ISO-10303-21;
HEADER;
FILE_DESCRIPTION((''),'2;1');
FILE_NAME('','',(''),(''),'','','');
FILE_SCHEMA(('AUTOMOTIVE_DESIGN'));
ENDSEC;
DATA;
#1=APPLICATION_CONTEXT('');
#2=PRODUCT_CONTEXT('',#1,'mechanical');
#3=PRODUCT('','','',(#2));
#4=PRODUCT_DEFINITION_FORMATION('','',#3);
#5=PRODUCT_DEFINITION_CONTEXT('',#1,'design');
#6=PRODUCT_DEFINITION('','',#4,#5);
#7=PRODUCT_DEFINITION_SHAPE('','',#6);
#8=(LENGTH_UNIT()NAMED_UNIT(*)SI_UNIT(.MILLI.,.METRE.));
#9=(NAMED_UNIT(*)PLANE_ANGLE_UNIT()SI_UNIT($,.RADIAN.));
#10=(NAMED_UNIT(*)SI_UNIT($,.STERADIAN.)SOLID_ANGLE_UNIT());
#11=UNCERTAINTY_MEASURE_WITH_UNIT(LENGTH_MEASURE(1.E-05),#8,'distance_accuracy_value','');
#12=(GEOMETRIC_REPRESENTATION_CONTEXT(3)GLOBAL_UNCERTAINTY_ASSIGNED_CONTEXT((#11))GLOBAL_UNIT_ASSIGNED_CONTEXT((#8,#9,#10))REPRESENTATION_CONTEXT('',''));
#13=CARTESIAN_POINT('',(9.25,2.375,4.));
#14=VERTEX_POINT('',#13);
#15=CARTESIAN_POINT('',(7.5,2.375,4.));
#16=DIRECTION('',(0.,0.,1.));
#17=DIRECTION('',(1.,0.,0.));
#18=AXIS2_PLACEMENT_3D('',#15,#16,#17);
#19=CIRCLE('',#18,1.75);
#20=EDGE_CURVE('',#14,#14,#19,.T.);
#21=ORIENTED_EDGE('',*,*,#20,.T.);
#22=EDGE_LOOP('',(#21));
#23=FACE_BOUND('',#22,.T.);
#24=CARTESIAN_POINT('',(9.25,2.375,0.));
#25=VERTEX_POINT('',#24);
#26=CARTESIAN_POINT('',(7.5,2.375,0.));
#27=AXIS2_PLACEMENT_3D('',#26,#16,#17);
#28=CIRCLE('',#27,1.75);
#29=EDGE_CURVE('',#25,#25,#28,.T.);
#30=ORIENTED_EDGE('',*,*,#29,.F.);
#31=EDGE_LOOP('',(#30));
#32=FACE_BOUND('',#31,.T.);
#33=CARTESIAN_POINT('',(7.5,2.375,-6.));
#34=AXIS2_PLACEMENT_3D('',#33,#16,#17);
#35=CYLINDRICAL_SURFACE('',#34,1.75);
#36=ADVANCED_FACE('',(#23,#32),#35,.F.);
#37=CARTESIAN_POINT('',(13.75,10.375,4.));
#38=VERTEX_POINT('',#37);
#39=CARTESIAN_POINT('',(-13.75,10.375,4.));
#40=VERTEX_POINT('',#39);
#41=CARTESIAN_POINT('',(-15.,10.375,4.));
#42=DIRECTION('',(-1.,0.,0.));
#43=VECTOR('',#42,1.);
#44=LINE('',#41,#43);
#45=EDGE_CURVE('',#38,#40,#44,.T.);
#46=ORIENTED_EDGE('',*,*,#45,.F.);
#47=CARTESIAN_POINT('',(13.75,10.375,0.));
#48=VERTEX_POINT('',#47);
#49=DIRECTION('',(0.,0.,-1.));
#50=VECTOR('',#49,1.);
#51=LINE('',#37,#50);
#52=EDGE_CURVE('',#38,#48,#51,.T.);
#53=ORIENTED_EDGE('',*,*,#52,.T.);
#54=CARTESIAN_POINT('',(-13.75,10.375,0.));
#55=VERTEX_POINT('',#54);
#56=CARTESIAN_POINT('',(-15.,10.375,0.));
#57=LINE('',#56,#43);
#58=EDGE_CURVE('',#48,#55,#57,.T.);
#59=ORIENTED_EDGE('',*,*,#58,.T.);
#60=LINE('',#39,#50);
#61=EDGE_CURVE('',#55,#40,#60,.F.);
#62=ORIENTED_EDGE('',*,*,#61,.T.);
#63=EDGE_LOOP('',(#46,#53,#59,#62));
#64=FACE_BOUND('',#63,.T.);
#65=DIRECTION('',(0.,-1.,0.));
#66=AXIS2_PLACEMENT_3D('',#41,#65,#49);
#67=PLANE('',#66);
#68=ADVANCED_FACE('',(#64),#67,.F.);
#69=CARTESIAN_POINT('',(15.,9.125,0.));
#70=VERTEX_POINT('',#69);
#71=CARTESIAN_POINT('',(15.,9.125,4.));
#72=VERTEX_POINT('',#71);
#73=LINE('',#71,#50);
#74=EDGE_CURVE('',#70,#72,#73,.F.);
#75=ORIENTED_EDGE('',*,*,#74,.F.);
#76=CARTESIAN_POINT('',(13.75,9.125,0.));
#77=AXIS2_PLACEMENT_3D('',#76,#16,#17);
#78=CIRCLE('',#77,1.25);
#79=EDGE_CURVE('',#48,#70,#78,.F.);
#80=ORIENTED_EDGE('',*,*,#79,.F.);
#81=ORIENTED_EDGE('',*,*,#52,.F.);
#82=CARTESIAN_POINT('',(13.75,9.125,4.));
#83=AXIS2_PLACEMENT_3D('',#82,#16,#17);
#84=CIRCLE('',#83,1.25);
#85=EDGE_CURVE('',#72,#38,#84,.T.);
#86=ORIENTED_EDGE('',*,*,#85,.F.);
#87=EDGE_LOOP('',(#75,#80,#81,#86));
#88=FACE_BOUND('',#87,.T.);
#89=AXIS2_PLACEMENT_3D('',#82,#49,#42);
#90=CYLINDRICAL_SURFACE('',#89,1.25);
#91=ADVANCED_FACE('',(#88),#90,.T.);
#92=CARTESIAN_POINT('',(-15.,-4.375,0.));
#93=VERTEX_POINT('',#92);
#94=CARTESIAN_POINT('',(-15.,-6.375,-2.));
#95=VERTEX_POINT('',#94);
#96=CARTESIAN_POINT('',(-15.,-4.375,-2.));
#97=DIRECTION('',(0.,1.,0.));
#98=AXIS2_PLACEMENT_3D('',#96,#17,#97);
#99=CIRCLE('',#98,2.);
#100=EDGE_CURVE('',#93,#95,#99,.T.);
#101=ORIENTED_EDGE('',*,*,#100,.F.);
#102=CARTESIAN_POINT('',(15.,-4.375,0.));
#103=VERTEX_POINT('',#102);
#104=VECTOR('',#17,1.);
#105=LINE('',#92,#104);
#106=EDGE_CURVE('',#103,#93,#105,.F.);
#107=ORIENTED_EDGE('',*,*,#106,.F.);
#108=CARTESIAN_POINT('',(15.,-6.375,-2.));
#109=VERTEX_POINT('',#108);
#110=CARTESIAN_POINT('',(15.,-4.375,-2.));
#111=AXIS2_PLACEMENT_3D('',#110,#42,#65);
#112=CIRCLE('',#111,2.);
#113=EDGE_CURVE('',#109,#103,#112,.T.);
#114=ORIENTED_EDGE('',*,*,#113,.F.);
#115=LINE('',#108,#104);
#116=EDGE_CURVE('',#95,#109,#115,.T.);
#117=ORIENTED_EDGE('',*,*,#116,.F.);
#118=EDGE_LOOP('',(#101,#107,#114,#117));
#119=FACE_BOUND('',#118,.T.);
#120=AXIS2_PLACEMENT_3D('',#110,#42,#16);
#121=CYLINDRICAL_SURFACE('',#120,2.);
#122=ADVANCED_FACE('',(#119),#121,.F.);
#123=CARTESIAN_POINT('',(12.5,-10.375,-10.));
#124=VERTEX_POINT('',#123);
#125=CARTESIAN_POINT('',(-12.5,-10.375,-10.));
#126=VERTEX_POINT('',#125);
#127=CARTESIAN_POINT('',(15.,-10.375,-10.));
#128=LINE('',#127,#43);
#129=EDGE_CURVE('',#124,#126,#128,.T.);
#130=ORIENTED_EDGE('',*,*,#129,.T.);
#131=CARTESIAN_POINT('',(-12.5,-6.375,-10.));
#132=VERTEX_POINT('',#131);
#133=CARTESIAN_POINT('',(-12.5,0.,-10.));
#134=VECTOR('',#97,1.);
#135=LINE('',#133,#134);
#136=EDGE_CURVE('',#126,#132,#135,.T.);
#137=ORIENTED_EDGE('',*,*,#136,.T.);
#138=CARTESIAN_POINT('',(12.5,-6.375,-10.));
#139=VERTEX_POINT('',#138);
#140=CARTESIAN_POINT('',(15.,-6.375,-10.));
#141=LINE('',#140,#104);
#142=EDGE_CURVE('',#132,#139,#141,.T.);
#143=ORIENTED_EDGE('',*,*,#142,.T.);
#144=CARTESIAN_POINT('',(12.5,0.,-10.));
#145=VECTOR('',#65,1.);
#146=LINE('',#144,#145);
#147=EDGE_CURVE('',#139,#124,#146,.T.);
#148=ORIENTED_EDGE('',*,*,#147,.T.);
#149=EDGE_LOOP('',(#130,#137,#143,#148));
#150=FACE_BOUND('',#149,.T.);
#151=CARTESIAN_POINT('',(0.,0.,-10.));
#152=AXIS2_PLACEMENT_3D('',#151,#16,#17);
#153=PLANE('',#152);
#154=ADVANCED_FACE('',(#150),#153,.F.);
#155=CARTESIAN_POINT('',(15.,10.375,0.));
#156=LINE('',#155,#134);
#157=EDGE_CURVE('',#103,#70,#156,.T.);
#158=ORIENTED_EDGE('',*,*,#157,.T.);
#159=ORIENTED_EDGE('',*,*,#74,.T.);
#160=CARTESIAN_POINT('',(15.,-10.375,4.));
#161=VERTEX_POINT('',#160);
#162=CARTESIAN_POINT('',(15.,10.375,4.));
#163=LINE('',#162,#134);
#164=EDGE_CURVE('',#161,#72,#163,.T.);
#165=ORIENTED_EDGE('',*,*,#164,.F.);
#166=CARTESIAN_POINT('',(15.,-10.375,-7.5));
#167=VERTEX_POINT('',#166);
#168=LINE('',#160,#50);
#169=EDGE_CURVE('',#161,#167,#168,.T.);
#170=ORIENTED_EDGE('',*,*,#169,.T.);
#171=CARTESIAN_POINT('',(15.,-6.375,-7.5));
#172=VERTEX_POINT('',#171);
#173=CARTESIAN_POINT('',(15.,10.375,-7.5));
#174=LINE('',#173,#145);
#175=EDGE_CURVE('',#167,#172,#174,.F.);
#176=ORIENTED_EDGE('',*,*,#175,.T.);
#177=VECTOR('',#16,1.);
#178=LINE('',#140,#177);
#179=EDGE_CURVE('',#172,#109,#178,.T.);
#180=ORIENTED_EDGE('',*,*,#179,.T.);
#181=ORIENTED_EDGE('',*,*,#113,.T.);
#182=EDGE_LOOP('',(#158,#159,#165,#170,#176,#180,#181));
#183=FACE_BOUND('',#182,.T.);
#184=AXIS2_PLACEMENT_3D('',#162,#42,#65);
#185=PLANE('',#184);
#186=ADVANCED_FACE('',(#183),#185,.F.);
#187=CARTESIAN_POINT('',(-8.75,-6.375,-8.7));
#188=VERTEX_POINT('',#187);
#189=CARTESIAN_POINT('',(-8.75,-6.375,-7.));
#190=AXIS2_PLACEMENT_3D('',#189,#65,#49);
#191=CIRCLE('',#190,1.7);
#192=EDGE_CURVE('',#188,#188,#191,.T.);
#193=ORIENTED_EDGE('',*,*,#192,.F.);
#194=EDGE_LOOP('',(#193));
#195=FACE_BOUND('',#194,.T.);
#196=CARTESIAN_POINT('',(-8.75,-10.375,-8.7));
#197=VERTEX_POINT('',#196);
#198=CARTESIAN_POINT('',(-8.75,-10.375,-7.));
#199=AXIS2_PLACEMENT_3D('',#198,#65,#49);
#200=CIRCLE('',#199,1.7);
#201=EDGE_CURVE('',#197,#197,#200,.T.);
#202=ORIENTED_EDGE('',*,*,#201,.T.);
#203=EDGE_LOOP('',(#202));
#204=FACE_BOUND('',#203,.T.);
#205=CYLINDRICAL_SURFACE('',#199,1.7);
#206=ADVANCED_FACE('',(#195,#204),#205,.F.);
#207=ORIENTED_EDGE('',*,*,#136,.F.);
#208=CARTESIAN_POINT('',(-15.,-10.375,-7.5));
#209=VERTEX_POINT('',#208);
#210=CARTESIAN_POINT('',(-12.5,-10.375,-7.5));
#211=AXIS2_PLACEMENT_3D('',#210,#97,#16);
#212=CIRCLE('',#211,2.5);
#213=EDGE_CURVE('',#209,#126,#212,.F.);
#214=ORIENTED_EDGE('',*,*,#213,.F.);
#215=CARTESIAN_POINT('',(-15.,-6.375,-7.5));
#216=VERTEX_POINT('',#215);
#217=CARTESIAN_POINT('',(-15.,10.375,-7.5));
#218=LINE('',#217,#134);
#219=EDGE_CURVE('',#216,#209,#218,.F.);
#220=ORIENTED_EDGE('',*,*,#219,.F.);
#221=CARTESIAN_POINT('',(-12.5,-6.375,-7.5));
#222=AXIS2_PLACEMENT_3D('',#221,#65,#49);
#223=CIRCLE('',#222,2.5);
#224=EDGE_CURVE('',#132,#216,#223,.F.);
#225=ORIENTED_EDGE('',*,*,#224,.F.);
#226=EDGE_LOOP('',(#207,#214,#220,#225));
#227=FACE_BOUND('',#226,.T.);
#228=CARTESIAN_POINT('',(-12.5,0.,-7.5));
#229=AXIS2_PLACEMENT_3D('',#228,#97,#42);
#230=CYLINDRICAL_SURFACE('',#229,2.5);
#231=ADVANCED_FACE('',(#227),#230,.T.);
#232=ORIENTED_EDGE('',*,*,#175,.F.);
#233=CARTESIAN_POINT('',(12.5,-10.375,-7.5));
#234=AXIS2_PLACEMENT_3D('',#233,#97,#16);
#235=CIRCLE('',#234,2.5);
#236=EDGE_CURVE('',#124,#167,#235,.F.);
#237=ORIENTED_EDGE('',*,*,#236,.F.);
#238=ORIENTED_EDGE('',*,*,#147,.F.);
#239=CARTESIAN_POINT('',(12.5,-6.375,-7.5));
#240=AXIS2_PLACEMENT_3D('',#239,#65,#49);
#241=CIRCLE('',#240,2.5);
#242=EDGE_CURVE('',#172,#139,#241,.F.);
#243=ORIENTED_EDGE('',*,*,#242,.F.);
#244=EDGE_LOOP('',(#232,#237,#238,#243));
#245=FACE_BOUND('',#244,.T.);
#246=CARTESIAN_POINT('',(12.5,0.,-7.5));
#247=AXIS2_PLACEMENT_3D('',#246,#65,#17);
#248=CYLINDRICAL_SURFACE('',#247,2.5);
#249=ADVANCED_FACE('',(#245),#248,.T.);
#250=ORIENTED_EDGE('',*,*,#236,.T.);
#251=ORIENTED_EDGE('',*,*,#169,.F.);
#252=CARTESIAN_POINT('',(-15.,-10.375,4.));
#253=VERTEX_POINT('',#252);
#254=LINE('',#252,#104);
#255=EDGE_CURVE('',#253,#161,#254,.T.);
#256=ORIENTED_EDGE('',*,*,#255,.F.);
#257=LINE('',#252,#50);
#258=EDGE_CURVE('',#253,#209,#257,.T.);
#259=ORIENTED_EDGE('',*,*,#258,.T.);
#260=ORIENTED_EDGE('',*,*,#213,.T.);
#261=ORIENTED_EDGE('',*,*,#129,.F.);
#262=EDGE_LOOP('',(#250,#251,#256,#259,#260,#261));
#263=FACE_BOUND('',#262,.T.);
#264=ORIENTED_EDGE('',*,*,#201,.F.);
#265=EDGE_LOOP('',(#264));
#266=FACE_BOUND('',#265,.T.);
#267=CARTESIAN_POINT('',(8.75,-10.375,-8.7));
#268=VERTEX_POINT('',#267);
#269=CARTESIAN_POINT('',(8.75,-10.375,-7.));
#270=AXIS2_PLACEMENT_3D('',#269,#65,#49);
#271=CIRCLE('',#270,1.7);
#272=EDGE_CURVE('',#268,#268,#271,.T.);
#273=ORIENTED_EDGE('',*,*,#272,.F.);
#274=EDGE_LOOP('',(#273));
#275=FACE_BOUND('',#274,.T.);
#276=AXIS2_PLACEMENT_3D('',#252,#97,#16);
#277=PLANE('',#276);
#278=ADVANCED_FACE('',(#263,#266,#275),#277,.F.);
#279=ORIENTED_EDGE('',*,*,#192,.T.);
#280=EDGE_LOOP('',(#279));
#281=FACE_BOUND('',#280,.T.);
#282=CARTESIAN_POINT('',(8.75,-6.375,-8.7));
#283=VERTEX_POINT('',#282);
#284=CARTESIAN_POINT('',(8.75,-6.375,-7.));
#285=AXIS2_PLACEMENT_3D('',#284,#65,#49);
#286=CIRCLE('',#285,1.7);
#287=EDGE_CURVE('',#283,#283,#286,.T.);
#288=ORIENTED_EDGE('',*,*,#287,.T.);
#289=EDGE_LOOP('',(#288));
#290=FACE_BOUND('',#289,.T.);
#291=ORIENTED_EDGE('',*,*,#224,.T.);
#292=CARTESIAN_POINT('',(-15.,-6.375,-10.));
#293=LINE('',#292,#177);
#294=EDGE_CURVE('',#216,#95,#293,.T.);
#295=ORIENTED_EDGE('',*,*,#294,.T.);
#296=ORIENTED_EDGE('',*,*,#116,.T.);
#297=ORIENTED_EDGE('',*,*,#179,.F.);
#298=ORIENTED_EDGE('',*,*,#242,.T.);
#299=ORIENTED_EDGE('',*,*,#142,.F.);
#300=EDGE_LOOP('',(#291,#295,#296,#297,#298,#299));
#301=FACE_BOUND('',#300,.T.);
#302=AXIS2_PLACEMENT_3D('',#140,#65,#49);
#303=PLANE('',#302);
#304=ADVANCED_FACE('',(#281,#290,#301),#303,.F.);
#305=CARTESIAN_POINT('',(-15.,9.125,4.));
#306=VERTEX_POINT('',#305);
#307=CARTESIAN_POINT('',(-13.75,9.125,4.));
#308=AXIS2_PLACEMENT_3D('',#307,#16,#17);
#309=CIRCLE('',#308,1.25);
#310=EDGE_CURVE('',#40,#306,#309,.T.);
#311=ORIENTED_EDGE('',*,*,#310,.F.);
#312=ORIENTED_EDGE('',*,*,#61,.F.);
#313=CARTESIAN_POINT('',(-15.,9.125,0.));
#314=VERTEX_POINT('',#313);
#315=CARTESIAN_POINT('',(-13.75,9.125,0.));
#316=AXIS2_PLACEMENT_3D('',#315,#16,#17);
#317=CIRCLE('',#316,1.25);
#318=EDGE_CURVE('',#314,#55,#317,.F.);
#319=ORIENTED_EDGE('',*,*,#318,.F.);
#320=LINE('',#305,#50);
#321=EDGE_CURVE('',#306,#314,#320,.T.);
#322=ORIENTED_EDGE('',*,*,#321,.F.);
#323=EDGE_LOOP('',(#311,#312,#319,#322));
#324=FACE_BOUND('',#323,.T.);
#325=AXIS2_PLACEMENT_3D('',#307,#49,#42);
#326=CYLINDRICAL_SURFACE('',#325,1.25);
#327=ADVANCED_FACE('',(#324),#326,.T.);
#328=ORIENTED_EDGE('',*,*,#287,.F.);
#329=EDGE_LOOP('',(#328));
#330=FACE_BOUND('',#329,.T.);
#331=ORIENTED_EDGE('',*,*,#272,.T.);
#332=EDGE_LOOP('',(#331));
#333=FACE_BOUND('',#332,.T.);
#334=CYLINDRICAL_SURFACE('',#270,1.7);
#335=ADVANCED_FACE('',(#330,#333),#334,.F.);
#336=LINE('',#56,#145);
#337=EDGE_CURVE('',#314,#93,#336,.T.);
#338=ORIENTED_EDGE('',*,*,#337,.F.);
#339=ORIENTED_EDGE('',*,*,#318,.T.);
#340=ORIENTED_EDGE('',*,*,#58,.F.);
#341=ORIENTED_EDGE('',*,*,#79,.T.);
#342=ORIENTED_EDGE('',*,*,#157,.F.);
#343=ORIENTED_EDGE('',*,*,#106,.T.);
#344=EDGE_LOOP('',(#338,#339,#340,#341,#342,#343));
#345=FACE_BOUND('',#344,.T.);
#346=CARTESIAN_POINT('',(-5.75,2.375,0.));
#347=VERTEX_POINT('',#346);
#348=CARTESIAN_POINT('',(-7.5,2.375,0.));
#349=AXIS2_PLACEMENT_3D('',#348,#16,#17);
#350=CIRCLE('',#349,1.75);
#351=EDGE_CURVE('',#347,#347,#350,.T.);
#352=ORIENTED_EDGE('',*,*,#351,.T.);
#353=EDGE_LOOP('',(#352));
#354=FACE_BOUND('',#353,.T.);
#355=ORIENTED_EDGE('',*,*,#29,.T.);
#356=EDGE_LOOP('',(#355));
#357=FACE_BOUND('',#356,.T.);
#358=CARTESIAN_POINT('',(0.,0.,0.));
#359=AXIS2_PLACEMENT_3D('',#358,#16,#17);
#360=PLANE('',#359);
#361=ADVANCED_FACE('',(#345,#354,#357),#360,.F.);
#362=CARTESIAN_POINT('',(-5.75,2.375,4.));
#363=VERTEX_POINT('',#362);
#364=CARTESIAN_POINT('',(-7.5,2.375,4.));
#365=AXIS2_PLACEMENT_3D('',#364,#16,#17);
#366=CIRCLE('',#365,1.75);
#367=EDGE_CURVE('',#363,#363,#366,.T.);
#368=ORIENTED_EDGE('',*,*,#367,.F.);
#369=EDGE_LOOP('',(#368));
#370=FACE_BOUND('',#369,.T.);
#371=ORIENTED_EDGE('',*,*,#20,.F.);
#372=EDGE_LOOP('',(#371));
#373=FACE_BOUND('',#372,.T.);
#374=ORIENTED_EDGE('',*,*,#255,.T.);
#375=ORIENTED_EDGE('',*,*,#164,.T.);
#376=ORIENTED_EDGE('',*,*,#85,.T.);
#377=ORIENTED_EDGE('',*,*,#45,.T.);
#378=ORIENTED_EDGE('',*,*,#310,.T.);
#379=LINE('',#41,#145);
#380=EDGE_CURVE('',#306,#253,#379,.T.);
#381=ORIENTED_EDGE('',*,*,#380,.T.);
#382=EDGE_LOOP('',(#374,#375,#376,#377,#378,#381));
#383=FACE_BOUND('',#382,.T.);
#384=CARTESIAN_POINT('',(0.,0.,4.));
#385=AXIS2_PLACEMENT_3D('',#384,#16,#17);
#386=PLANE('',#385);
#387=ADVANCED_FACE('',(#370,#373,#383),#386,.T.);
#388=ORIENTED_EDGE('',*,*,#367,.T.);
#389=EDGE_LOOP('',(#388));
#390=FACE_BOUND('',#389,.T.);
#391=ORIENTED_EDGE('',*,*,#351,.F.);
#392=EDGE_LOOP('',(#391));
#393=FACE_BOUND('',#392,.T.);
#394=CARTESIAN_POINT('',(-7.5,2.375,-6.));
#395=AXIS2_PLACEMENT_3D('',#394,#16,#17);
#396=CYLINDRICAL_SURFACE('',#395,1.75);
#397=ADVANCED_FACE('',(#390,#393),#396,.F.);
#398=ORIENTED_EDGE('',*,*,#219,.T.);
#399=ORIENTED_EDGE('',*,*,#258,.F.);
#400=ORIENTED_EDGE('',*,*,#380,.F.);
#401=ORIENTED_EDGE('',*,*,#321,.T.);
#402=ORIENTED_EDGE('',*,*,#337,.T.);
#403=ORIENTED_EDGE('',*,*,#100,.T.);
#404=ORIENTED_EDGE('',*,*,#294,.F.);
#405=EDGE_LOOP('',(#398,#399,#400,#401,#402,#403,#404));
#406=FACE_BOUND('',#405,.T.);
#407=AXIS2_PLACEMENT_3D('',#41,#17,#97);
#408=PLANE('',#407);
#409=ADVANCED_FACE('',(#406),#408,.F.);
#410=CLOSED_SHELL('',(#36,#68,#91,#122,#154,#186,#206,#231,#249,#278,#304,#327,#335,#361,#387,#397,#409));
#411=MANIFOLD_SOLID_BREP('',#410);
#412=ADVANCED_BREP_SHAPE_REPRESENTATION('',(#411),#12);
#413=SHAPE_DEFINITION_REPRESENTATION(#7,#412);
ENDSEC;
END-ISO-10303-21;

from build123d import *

# Parameters (mm, degrees)
SKETCH1_W                = 30
SKETCH1_H                = 20.75
BOSS_EXTRUDE1_DEPTH      = 4
FILLET1_R                = 1.25
SKETCH3_R                = 1.75
CUT_EXTRUDE1_DEPTH       = 10
SKETCH4_W                = 30
SKETCH4_H                = 4
BOSS_EXTRUDE2_DEPTH      = 10
FILLET2_R                = 2.5
FILLET3_R                = 2
M3_CLEARANCE_HOLE1_D     = 3.4
M3_CLEARANCE_HOLE1_DEPTH = 16
M3_CLEARANCE_HOLE1_TIP   = 1.021463052


with BuildPart() as part:
    # Sketch1 → Boss-Extrude1 (new body)
    with BuildSketch(Plane.XY):
        Rectangle(SKETCH1_W, SKETCH1_H)
    extrude(amount=BOSS_EXTRUDE1_DEPTH)

    # Fillet1
    fillet1_edges = [part.edges().sort_by_distance(p)[0] for p in [
        (-15, 10.375, 2),
        (15, 10.375, 2),
    ]]
    fillet(fillet1_edges, radius=FILLET1_R)

    # Sketch3 → Cut-Extrude1 (cut)
    with BuildSketch(Plane.XY.offset(4)):
        with Locations((-7.5, 2.375)):
            Circle(SKETCH3_R)
        with Locations((7.5, 2.375)):
            Circle(SKETCH3_R)
    extrude(amount=-CUT_EXTRUDE1_DEPTH, mode=Mode.SUBTRACT)

    # Sketch4 → Boss-Extrude2 (add)
    with BuildSketch(Plane(origin=(0, 0, 0), x_dir=(-1, 0, 0), z_dir=(0, 0, -1))):
        with Locations((0, -8.375)):
            Rectangle(SKETCH4_W, SKETCH4_H)
    extrude(amount=BOSS_EXTRUDE2_DEPTH)

    # Fillet2
    fillet2_edges = [part.edges().sort_by_distance(p)[0] for p in [
        (15, -8.375, -10),
        (-15, -8.375, -10),
    ]]
    fillet(fillet2_edges, radius=FILLET2_R)

    # Fillet3
    fillet3_edges = [part.edges().sort_by_distance(p)[0] for p in [
        (0, -6.375, 0),
    ]]
    fillet(fillet3_edges, radius=FILLET3_R)

    # M3 Clearance Hole1
    with Locations(Plane(origin=(0, -10.375, 0), x_dir=(-1, 0, 0), z_dir=(0, -1, 0))):
        with Locations((-8.75, 7), (8.75, 7)):
            Hole(M3_CLEARANCE_HOLE1_D / 2, depth=M3_CLEARANCE_HOLE1_DEPTH)
            with Locations((0, 0, -(M3_CLEARANCE_HOLE1_DEPTH + M3_CLEARANCE_HOLE1_TIP / 2))):  # 118° drill point
                Cone(0, M3_CLEARANCE_HOLE1_D / 2, M3_CLEARANCE_HOLE1_TIP, mode=Mode.SUBTRACT)


solid = part.part
